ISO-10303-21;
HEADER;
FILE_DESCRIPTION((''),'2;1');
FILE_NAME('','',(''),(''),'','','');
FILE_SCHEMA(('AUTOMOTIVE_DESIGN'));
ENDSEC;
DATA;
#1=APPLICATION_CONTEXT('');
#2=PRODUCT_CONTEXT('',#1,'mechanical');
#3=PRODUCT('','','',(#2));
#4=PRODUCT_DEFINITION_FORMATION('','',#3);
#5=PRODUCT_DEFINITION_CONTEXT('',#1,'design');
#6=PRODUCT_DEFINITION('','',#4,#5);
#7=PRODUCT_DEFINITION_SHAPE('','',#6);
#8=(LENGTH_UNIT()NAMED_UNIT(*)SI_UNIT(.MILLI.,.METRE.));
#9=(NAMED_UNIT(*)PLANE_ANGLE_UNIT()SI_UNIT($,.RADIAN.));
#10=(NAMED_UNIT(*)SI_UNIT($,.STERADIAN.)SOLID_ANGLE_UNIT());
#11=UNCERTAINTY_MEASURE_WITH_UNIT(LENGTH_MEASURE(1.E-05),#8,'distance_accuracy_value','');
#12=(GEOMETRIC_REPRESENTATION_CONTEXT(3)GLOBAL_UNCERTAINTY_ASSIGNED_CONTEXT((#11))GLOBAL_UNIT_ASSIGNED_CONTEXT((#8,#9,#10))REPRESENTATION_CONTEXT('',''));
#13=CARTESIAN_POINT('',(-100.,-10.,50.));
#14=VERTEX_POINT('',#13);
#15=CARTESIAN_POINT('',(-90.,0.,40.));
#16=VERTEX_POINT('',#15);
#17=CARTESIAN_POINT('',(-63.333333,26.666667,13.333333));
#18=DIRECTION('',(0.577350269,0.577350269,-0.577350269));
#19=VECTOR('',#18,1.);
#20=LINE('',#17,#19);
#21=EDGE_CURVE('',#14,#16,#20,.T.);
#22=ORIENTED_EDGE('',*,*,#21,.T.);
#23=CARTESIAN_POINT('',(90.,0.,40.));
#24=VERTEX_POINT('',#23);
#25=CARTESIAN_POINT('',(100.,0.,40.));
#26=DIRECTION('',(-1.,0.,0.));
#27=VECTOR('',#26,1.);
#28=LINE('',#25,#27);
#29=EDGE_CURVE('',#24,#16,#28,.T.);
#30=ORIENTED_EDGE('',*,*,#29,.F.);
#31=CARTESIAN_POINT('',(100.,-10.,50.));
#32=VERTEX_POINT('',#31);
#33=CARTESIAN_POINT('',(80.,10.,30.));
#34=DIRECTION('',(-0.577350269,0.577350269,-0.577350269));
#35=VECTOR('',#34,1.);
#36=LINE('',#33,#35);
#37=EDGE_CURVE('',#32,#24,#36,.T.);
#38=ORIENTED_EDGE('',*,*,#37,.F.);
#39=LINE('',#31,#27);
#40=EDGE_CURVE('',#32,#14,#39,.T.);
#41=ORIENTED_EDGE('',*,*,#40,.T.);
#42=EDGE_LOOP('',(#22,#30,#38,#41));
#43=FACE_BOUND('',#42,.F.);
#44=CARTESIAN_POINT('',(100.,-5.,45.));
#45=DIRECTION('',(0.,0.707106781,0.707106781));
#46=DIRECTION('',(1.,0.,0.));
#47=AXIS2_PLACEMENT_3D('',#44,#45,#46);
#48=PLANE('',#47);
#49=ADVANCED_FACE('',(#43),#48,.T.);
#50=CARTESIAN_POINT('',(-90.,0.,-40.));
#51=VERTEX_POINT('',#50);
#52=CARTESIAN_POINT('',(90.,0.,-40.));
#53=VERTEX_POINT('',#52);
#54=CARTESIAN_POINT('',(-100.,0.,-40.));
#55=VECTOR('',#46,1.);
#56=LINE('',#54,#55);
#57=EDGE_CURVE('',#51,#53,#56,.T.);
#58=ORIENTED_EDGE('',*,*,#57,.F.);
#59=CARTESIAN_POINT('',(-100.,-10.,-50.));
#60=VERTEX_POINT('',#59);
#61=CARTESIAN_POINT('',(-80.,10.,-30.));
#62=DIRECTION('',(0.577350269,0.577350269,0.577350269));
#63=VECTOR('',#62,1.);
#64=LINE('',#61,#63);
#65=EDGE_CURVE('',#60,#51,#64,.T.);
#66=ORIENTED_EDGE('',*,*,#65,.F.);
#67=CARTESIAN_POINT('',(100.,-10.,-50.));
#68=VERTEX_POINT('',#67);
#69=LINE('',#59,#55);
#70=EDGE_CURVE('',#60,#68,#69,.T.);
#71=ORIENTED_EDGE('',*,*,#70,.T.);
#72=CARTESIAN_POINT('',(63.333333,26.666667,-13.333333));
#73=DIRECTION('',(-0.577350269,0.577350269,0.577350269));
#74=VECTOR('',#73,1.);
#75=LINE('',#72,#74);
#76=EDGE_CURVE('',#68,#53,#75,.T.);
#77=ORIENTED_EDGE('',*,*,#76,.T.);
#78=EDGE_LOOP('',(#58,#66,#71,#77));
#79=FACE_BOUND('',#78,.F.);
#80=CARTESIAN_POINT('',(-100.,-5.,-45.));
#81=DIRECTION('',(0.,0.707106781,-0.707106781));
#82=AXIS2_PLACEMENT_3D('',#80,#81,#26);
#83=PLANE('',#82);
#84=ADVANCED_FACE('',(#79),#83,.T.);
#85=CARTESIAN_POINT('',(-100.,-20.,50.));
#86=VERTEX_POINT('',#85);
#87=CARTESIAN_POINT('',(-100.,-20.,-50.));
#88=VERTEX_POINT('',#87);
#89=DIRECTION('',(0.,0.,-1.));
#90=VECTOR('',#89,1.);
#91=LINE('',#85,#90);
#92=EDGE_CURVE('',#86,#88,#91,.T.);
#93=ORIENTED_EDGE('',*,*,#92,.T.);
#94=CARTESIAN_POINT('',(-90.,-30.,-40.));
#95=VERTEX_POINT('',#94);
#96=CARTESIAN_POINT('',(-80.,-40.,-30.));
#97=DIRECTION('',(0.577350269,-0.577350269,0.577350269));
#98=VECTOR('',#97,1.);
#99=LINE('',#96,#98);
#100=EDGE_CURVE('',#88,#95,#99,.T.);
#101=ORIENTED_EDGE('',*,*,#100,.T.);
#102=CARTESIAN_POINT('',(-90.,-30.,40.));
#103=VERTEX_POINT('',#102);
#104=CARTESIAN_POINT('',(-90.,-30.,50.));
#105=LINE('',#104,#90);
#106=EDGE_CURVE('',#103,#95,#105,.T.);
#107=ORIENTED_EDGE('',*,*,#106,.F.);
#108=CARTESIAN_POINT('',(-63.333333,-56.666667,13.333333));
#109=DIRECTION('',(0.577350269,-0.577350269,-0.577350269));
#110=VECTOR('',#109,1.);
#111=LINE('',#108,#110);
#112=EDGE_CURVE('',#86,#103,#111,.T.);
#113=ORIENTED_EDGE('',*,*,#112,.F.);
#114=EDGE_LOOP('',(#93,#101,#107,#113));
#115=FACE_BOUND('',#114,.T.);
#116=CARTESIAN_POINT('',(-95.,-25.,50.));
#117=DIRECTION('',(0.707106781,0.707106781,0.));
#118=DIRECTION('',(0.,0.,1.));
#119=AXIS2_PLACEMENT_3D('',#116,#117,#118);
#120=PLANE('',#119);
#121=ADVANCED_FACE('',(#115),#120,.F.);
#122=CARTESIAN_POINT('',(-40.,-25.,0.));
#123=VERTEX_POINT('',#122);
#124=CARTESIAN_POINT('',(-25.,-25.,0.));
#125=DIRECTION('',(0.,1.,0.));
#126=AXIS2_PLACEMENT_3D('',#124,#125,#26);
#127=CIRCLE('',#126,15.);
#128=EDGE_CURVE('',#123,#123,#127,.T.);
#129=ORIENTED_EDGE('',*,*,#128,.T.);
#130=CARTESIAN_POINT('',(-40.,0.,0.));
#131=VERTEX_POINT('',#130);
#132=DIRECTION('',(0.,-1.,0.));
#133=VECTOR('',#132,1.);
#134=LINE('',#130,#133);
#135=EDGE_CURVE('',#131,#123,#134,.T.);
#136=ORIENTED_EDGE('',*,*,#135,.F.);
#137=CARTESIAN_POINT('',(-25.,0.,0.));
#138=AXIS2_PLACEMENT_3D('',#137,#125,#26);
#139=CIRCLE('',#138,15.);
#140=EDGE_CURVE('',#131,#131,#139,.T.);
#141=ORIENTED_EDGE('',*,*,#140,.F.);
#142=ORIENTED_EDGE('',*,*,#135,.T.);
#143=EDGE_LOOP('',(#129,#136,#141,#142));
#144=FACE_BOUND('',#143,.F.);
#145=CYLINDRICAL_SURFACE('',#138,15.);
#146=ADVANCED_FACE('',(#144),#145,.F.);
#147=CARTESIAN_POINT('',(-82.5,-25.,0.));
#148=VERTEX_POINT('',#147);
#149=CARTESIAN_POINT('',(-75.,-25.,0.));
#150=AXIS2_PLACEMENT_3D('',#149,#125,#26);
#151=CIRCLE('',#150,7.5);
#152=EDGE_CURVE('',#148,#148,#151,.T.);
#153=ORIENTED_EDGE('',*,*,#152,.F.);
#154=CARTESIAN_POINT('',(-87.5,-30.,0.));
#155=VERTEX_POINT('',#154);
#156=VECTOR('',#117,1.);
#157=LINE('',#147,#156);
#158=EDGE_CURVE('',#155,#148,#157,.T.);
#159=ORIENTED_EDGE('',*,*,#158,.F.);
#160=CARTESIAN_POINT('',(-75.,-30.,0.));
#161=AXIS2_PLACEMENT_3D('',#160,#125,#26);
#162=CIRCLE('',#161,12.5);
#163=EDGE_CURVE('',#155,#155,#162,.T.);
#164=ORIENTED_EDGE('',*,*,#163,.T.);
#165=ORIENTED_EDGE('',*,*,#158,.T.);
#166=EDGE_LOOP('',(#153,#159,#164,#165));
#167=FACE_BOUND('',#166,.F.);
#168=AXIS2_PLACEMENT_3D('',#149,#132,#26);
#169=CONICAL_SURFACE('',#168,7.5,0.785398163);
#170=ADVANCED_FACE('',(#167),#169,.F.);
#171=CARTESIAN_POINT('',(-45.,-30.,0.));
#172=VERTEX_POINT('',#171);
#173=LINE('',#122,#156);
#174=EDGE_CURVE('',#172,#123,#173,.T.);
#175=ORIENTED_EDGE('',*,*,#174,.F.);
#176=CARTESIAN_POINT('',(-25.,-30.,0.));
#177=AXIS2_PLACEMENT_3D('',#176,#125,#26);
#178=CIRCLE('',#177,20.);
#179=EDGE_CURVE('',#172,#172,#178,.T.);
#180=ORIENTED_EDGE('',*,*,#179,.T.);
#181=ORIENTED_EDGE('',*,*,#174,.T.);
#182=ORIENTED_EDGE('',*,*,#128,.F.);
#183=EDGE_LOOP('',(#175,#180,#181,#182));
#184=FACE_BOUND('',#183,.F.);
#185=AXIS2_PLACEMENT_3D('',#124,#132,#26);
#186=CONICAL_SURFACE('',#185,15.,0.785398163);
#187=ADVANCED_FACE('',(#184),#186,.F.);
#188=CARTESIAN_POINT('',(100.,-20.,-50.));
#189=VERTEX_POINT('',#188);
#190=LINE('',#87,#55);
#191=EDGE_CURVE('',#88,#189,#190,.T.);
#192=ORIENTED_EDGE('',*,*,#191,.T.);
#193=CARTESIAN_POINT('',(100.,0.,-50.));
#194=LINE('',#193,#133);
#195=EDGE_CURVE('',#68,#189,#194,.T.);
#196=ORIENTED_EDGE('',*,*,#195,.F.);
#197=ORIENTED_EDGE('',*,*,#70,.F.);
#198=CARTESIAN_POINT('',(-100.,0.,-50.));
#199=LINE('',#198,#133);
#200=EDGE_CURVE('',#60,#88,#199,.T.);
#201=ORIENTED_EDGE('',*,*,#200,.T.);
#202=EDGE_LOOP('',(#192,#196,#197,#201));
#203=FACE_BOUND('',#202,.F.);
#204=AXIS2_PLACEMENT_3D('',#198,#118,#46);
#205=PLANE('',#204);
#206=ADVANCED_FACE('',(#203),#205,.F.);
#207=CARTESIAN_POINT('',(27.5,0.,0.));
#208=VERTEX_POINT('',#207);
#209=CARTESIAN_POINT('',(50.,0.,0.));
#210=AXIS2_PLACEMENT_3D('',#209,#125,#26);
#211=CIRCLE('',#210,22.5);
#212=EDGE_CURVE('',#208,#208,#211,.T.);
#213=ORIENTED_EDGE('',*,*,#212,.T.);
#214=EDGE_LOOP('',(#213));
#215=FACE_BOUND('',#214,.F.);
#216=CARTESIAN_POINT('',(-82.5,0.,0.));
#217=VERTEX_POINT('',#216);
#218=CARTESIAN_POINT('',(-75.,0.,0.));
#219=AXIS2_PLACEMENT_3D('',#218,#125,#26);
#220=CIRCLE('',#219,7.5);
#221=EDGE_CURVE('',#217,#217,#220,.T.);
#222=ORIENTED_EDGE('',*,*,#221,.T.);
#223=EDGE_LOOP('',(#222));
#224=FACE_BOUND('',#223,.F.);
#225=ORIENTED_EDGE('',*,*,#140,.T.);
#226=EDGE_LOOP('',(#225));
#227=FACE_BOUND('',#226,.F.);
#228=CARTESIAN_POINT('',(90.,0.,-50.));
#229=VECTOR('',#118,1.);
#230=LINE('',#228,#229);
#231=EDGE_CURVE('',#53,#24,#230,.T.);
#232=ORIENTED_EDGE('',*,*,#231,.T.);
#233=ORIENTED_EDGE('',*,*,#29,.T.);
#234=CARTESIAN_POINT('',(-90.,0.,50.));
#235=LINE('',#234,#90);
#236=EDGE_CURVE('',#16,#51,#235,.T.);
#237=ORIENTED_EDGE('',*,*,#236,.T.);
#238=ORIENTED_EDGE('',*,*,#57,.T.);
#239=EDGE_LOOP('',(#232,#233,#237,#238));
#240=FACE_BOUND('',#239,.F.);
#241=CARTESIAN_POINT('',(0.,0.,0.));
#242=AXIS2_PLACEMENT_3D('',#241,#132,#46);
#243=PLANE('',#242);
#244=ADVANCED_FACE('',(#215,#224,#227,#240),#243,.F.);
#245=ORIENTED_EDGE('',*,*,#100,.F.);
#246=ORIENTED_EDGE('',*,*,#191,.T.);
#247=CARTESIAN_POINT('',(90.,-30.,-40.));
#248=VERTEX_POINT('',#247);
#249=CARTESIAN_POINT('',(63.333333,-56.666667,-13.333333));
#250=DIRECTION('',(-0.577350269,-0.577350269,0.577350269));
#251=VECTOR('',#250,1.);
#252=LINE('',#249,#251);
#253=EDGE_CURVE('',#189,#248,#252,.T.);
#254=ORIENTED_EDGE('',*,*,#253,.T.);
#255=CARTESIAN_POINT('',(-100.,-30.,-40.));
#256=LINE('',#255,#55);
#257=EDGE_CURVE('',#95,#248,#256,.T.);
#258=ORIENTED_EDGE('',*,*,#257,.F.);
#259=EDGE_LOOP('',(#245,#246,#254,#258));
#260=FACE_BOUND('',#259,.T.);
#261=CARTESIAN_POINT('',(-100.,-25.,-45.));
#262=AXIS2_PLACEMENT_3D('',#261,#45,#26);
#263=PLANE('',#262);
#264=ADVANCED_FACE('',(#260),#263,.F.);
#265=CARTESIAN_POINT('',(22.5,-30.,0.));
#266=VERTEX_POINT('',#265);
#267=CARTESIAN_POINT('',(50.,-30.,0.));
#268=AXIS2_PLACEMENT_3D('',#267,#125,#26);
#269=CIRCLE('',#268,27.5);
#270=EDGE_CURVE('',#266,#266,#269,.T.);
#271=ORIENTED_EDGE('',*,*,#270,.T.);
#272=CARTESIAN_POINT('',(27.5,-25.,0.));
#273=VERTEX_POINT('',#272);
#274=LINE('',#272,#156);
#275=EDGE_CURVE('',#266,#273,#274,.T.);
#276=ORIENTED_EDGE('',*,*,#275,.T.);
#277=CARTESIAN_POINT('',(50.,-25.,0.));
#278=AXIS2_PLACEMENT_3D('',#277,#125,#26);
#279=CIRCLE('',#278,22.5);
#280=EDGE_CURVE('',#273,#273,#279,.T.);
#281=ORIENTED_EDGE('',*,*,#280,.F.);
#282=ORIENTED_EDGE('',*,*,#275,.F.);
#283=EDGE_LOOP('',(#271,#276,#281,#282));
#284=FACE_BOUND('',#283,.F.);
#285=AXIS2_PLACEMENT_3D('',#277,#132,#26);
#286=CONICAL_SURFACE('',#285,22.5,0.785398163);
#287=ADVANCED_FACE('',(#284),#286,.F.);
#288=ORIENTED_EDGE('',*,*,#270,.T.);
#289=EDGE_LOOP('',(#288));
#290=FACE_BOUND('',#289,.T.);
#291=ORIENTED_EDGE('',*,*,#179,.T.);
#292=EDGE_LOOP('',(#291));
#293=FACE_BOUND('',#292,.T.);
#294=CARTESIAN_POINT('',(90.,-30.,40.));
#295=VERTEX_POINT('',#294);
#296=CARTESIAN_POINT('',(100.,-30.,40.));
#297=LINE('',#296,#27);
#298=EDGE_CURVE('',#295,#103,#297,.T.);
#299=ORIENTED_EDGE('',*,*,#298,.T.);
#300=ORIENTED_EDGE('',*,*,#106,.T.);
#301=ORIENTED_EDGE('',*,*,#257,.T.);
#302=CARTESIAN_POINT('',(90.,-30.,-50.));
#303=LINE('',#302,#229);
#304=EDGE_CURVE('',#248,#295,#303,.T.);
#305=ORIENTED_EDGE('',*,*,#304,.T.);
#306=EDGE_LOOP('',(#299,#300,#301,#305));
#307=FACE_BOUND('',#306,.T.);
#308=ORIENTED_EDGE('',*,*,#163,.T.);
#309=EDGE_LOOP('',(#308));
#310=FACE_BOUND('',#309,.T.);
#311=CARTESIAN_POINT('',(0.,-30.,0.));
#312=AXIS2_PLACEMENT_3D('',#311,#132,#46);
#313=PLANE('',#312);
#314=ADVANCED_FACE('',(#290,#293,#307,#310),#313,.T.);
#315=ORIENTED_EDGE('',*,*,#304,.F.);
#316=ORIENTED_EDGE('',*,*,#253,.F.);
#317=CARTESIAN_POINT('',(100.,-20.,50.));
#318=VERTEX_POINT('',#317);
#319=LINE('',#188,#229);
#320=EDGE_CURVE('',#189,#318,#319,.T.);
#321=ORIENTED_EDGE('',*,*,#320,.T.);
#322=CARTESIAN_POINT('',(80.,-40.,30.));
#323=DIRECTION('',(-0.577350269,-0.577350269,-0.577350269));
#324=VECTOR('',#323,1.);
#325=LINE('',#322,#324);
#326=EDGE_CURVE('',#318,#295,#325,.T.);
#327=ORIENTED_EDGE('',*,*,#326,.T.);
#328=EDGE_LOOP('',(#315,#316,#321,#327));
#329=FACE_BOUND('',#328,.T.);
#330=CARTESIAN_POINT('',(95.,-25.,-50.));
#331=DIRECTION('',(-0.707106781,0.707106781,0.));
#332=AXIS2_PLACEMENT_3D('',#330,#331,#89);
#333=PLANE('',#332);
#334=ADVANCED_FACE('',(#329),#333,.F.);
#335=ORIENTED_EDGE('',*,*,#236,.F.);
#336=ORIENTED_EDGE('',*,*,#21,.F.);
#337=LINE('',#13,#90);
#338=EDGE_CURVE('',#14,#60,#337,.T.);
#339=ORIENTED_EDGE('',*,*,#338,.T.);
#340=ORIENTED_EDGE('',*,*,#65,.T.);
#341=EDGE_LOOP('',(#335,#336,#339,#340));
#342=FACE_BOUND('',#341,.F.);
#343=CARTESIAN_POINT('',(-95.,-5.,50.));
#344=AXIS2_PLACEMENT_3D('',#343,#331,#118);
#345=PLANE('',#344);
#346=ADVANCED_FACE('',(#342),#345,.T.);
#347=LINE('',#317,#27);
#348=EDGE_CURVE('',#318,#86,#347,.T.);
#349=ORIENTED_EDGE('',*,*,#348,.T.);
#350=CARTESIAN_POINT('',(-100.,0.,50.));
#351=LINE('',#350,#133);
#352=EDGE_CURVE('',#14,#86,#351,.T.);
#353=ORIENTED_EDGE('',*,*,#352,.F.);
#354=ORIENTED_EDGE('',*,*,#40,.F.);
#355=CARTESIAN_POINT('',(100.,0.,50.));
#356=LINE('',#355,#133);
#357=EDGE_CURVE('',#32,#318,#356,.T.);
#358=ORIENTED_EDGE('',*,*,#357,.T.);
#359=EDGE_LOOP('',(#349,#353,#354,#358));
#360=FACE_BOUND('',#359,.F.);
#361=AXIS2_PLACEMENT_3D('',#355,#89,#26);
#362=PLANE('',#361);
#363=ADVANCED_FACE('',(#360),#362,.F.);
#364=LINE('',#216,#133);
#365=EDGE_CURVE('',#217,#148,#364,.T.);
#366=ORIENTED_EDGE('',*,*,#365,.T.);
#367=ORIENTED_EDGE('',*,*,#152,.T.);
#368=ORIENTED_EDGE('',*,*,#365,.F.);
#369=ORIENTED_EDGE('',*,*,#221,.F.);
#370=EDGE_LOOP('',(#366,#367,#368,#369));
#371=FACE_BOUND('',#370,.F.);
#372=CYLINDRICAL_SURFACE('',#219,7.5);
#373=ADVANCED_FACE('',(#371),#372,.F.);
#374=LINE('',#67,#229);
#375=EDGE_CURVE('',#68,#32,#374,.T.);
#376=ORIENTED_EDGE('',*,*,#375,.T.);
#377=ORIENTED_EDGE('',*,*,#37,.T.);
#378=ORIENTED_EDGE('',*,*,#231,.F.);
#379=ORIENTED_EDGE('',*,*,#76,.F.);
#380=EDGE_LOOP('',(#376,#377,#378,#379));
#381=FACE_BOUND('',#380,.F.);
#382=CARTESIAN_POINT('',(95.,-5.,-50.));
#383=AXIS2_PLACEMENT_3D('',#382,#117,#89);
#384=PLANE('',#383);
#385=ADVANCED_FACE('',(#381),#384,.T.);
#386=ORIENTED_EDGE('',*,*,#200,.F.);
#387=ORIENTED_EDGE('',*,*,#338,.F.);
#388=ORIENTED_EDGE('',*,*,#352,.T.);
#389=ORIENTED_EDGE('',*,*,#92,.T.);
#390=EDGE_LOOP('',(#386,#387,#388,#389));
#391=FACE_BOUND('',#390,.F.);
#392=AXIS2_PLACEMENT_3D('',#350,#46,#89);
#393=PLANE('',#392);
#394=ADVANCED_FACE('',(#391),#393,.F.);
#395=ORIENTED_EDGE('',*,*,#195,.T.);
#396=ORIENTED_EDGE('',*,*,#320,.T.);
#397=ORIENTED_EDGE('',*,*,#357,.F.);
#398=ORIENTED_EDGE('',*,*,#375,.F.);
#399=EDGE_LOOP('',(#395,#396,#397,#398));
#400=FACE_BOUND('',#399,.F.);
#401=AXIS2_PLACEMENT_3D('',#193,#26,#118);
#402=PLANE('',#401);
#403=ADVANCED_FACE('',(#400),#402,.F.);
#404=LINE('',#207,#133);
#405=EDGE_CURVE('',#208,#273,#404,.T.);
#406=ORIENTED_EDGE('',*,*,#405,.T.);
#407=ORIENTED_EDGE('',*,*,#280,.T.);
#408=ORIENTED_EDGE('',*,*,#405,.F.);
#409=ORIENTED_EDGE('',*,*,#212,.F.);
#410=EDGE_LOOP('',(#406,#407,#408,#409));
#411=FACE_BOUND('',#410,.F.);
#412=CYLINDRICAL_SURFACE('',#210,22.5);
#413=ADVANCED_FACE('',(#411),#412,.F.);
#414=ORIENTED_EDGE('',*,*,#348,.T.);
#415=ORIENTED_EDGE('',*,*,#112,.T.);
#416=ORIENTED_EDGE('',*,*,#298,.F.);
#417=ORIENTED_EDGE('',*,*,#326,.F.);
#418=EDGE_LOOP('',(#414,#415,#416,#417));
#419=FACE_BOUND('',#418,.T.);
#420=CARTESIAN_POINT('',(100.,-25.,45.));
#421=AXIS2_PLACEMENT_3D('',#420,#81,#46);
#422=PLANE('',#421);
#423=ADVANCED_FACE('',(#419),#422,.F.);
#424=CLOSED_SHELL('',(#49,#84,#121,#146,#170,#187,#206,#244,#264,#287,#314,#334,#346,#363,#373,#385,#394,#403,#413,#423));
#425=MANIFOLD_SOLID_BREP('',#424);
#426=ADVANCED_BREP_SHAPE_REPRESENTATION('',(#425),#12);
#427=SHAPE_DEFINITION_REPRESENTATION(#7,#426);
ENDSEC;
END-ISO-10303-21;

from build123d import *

# Parameters (mm, degrees)
F1_DEPTH = 30
F2_SIZE  = 10
F3_SIZE  = 5
F4_SIZE  = 10


with BuildPart() as f1:
    # F0 (on Front) → F1 (new body)
    with BuildSketch(Plane.XZ):
        Polygon((100, 50), (-100, 50), (-100, 0), (-100, -50), (100, -50), align=None)
        with BuildLine():
            ThreePointArc((-67.5, 0), (-75, -7.5), (-82.5, 0))
            ThreePointArc((-82.5, 0), (-75, 7.5), (-67.5, 0))
        make_face(mode=Mode.SUBTRACT)
        with BuildLine():
            ThreePointArc((-10, 0), (-25, -15), (-40, 0))
            ThreePointArc((-40, 0), (-25, 15), (-10, 0))
        make_face(mode=Mode.SUBTRACT)
        with BuildLine():
            ThreePointArc((72.5, 0), (50, -22.5), (27.5, 0))
            ThreePointArc((27.5, 0), (50, 22.5), (72.5, 0))
        make_face(mode=Mode.SUBTRACT)
    extrude(amount=F1_DEPTH)

    # F2
    f2_edges = [f1.edges().sort_by_distance(p)[0] for p in [
        (-100, -30, 0),
        (0, -30, -50),
        (100, -30, 0),
        (0, -30, 50),
    ]]
    chamfer(f2_edges, length=F2_SIZE)

    # F3
    f3_edges = [f1.edges().sort_by_distance(p)[0] for p in [
        (-67.5, -30, 0),
        (-10, -30, 0),
        (27.5, -30, 0),
    ]]
    chamfer(f3_edges, length=F3_SIZE)

    # F4
    f4_edges = [f1.edges().sort_by_distance(p)[0] for p in [
        (0, 0, -50),
        (-100, 0, 0),
        (0, 0, 50),
        (100, 0, 0),
    ]]
    chamfer(f4_edges, length=F4_SIZE)


solid = f1.part
